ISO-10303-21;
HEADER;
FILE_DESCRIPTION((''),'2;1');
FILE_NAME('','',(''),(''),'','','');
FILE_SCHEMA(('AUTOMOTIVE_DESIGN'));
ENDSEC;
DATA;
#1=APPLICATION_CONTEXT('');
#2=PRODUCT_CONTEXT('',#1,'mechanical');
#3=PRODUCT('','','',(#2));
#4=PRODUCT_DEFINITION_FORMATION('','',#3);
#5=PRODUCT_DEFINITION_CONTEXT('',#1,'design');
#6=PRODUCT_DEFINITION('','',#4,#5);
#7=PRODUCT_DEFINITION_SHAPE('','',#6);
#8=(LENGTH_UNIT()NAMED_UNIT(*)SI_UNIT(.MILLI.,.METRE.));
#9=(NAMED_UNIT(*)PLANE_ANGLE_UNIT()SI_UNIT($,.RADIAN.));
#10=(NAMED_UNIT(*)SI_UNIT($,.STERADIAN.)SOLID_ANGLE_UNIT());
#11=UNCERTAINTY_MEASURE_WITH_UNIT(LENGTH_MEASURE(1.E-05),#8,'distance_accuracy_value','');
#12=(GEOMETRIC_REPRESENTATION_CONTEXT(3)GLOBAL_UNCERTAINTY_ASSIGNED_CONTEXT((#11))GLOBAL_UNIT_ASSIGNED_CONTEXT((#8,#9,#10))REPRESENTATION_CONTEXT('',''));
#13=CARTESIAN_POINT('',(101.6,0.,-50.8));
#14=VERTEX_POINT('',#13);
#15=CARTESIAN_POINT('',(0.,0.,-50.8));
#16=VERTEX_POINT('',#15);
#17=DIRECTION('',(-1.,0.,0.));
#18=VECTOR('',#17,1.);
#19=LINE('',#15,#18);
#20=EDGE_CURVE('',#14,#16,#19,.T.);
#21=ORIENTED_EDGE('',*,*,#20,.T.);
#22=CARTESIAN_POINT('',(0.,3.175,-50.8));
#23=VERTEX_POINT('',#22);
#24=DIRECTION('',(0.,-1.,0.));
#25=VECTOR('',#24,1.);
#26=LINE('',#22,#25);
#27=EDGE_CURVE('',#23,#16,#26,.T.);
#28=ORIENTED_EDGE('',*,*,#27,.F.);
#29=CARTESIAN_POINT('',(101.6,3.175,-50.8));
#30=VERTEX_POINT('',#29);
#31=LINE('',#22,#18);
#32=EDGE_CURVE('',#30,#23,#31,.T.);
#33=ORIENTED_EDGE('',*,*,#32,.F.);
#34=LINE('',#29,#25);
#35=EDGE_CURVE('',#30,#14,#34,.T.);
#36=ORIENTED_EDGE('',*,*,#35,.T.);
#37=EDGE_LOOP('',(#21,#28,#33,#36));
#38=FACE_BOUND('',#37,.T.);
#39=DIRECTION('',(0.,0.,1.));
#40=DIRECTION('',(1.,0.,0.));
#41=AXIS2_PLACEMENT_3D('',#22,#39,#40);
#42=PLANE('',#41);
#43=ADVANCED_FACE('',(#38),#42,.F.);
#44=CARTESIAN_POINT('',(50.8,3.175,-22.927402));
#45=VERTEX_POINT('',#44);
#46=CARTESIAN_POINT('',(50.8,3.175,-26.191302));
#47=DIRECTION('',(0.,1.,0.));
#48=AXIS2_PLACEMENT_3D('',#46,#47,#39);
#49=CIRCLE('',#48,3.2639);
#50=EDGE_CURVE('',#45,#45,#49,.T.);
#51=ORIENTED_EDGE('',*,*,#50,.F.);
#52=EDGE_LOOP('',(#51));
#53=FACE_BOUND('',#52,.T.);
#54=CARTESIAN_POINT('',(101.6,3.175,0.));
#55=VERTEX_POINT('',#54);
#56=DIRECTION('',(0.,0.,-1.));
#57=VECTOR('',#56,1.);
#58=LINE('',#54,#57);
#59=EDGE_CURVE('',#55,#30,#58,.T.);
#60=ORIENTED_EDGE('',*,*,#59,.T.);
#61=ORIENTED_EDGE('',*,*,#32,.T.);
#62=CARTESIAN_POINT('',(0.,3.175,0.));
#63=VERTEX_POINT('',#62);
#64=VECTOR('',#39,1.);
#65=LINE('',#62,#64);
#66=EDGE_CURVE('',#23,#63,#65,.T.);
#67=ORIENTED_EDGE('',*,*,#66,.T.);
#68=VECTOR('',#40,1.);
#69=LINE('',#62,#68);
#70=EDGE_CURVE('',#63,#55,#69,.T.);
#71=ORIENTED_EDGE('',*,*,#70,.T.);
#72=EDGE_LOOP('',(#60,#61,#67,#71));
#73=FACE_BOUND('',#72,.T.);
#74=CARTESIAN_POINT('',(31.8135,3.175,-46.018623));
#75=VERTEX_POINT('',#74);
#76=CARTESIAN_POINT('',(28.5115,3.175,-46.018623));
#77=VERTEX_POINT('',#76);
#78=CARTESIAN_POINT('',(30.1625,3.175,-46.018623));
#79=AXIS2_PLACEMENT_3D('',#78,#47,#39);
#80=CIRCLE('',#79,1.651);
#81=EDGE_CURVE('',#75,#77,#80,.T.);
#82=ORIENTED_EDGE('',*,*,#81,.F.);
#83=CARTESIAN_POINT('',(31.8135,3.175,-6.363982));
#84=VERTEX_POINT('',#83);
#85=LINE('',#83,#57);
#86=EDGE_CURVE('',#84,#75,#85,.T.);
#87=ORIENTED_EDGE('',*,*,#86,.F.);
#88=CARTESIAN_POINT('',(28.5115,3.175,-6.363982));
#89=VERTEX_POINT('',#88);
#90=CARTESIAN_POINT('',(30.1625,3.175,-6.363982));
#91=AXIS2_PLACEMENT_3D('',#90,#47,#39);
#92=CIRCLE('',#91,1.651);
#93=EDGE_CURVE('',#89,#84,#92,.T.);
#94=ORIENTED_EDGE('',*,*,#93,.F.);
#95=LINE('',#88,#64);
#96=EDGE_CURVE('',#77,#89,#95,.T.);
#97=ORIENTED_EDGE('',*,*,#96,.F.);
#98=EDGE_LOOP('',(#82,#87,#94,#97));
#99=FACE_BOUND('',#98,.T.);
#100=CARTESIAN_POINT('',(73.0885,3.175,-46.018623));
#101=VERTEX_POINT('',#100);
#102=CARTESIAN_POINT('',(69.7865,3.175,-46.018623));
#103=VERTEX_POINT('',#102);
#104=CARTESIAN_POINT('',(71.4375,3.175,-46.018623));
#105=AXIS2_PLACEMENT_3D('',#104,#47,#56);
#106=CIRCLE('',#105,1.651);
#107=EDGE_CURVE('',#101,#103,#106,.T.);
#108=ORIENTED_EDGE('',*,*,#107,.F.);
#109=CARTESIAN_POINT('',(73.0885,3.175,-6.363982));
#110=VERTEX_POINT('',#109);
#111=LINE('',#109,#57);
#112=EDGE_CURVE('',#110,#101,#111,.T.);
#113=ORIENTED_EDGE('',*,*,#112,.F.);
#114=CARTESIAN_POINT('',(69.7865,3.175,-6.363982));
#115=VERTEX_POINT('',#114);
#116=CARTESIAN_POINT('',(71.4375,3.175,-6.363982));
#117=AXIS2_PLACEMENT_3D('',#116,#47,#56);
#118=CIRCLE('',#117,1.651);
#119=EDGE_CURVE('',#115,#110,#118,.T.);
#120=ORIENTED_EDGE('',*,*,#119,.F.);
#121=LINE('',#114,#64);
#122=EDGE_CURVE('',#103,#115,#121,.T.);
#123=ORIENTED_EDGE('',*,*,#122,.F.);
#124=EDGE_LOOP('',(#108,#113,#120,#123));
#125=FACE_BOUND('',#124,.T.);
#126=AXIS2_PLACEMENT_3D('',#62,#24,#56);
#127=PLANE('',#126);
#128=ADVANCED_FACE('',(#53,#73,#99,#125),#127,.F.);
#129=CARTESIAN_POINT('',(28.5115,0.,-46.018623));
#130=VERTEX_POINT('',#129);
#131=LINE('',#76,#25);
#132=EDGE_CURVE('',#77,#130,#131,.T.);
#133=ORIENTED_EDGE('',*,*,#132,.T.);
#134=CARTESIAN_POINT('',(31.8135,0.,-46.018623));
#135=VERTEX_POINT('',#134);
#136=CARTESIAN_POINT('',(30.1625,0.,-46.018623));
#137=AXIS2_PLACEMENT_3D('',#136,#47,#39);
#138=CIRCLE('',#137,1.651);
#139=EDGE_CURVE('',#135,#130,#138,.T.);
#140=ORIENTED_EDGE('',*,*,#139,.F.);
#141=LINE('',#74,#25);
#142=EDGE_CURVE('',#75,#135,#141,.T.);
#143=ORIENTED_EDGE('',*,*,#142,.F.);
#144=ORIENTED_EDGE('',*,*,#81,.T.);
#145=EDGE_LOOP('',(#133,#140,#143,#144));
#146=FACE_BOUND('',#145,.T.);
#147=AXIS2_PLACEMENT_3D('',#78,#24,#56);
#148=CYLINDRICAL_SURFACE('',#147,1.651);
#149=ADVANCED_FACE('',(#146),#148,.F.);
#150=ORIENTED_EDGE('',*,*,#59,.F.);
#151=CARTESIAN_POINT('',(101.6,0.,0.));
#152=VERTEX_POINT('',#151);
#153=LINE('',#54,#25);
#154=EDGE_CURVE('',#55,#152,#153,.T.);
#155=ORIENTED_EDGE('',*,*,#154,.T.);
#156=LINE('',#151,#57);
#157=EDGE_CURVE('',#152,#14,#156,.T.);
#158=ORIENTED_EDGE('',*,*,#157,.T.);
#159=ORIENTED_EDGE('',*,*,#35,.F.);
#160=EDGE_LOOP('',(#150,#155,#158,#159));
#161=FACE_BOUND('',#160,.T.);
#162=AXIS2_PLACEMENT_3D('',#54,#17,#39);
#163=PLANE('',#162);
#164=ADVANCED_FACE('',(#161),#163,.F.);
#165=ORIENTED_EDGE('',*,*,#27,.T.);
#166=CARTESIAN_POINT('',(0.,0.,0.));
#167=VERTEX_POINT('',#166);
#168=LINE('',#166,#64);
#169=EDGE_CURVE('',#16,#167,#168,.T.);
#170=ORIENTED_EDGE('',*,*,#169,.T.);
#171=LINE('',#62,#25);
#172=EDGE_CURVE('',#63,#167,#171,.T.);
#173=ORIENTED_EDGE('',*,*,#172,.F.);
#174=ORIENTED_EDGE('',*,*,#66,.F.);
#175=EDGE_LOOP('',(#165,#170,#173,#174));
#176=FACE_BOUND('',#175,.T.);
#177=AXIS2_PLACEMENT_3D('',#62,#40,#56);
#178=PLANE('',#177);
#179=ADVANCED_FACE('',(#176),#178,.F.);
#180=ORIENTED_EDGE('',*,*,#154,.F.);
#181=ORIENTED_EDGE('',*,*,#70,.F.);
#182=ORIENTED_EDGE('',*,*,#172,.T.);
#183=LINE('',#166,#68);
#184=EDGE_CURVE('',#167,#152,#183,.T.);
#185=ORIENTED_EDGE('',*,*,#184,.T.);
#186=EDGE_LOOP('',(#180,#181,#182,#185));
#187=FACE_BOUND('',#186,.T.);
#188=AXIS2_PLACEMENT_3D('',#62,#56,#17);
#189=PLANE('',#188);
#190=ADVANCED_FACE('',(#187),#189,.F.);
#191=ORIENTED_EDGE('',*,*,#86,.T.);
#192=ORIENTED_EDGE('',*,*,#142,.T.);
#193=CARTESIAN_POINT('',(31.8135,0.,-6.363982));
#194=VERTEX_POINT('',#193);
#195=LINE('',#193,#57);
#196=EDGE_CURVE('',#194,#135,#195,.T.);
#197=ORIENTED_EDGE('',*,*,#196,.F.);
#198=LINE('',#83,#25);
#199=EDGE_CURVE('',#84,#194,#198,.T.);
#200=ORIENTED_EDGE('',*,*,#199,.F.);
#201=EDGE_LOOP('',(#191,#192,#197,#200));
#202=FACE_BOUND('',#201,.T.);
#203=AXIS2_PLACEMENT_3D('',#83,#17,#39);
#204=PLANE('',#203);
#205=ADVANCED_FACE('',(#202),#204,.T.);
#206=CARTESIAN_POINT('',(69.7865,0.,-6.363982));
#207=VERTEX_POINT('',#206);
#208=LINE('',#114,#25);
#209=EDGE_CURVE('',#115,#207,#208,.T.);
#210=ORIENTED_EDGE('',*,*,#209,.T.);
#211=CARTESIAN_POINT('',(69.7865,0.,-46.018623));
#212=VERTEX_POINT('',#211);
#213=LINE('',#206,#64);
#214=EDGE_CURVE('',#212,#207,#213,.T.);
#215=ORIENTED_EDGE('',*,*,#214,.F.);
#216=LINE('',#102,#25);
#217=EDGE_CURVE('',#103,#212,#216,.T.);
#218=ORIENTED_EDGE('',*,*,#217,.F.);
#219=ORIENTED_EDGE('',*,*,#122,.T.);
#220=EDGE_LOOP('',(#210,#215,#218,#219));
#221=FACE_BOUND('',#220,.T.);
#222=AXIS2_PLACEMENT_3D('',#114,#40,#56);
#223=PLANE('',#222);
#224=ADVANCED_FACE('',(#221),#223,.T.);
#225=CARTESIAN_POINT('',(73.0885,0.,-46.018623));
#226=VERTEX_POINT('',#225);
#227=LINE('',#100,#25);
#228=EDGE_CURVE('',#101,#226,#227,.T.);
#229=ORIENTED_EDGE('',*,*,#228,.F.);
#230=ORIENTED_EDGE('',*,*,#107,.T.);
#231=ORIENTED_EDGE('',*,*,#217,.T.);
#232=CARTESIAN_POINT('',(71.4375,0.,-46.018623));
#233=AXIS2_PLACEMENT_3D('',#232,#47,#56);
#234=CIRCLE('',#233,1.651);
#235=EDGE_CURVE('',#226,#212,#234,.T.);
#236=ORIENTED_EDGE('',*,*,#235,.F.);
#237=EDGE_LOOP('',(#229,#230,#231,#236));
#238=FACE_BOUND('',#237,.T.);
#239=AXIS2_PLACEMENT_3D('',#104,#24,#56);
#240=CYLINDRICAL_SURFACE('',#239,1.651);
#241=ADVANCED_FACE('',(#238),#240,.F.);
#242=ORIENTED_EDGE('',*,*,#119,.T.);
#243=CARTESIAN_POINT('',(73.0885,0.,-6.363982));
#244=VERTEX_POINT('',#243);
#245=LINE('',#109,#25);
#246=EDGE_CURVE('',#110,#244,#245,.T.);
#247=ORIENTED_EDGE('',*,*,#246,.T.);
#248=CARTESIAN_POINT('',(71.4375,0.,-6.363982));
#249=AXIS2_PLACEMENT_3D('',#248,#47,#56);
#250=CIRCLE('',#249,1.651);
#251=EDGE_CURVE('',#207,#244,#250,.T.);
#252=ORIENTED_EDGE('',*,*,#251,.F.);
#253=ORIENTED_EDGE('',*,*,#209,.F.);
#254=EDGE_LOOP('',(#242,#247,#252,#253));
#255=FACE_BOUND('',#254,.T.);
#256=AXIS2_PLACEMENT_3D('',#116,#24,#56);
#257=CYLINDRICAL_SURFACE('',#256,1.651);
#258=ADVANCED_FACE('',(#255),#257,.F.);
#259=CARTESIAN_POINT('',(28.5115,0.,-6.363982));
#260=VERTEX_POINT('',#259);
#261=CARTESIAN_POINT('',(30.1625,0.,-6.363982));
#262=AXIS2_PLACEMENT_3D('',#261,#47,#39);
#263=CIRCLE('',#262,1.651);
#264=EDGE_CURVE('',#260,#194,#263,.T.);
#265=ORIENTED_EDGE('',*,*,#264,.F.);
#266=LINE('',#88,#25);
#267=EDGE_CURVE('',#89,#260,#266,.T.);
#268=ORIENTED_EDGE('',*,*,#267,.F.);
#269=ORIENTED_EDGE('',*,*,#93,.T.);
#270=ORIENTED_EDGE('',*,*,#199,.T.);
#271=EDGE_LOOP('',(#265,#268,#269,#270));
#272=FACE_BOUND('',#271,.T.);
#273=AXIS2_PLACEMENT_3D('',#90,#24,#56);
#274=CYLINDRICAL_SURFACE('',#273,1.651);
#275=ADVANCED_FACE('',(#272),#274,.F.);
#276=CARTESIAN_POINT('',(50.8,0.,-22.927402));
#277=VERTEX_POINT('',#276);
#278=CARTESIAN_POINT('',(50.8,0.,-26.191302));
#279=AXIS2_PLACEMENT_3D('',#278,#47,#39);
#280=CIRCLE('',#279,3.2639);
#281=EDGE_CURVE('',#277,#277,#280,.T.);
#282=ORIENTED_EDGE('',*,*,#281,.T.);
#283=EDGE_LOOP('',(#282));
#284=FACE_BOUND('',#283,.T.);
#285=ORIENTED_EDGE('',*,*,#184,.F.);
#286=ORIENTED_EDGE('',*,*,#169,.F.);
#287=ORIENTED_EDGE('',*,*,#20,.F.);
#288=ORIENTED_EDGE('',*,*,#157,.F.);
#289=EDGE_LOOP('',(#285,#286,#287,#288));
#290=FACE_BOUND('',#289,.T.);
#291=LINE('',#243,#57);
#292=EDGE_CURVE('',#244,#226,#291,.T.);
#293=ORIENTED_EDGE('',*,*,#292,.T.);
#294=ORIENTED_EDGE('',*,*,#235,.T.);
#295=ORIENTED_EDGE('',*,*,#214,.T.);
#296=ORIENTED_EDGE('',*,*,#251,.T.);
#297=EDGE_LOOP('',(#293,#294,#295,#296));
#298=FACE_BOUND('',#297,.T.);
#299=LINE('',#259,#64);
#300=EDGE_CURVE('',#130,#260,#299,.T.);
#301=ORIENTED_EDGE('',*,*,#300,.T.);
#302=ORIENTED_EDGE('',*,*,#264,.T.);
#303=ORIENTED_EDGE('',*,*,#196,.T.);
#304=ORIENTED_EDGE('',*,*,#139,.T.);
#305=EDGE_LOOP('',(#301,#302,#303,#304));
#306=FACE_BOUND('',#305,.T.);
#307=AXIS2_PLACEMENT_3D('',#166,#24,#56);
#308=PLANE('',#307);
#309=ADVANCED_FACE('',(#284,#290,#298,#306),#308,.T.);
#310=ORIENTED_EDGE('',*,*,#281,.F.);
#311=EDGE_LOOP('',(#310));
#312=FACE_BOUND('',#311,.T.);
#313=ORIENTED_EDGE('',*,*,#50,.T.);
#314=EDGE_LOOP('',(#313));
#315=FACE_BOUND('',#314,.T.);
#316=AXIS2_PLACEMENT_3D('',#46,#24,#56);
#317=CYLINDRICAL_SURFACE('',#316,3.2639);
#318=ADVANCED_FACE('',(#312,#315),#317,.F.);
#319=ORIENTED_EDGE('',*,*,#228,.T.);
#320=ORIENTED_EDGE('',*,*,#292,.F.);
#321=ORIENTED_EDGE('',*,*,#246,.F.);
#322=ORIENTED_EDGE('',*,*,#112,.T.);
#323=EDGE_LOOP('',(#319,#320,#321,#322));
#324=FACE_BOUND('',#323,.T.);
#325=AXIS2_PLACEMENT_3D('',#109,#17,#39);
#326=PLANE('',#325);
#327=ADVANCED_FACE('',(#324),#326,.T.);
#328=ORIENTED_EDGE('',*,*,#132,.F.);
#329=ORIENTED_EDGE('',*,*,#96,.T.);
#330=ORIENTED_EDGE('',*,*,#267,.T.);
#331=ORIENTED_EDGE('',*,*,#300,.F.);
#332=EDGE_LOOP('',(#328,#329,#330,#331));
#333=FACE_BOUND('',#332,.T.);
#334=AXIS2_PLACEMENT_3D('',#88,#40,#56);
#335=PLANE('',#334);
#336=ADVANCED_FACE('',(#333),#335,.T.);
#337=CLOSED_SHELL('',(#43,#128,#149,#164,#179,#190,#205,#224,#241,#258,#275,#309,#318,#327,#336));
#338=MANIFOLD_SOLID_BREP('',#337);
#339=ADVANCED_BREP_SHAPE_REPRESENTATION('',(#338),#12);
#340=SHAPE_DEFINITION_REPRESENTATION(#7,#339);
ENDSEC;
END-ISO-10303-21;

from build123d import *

# Parameters (mm, degrees)
SKETCH2_W           = 101.6
SKETCH2_H           = 50.8
SKETCH2_R           = 3.2639
BOSS_EXTRUDE1_DEPTH = 3.175


with BuildPart() as part:
    # Sketch2 → Boss-Extrude1 (new body)
    with BuildSketch(Plane(origin=(0, 0, 0), x_dir=(1, 0, 0), z_dir=(0, 1, 0))):
        with Locations((50.8, 25.4)):
            Rectangle(SKETCH2_W, SKETCH2_H)
        with Locations((50.8, 26.191302461)):
            Circle(SKETCH2_R, mode=Mode.SUBTRACT)
        with BuildLine():
            Line((28.5115, 6.363982324), (28.5115, 46.018622597))
            ThreePointArc((28.5115, 46.018622597), (30.1625, 47.669622597), (31.8135, 46.018622597))
            Line((31.8135, 46.018622597), (31.8135, 6.363982324))
            ThreePointArc((31.8135, 6.363982324), (30.1625, 4.712982324), (28.5115, 6.363982324))
        make_face(mode=Mode.SUBTRACT)
        with BuildLine():
            Line((73.0885, 6.363982324), (73.0885, 46.018622597))
            ThreePointArc((73.0885, 46.018622597), (71.4375, 47.669622597), (69.7865, 46.018622597))
            Line((69.7865, 46.018622597), (69.7865, 6.363982324))
            ThreePointArc((69.7865, 6.363982324), (71.4375, 4.712982324), (73.0885, 6.363982324))
        make_face(mode=Mode.SUBTRACT)
    extrude(amount=BOSS_EXTRUDE1_DEPTH)


solid = part.part
